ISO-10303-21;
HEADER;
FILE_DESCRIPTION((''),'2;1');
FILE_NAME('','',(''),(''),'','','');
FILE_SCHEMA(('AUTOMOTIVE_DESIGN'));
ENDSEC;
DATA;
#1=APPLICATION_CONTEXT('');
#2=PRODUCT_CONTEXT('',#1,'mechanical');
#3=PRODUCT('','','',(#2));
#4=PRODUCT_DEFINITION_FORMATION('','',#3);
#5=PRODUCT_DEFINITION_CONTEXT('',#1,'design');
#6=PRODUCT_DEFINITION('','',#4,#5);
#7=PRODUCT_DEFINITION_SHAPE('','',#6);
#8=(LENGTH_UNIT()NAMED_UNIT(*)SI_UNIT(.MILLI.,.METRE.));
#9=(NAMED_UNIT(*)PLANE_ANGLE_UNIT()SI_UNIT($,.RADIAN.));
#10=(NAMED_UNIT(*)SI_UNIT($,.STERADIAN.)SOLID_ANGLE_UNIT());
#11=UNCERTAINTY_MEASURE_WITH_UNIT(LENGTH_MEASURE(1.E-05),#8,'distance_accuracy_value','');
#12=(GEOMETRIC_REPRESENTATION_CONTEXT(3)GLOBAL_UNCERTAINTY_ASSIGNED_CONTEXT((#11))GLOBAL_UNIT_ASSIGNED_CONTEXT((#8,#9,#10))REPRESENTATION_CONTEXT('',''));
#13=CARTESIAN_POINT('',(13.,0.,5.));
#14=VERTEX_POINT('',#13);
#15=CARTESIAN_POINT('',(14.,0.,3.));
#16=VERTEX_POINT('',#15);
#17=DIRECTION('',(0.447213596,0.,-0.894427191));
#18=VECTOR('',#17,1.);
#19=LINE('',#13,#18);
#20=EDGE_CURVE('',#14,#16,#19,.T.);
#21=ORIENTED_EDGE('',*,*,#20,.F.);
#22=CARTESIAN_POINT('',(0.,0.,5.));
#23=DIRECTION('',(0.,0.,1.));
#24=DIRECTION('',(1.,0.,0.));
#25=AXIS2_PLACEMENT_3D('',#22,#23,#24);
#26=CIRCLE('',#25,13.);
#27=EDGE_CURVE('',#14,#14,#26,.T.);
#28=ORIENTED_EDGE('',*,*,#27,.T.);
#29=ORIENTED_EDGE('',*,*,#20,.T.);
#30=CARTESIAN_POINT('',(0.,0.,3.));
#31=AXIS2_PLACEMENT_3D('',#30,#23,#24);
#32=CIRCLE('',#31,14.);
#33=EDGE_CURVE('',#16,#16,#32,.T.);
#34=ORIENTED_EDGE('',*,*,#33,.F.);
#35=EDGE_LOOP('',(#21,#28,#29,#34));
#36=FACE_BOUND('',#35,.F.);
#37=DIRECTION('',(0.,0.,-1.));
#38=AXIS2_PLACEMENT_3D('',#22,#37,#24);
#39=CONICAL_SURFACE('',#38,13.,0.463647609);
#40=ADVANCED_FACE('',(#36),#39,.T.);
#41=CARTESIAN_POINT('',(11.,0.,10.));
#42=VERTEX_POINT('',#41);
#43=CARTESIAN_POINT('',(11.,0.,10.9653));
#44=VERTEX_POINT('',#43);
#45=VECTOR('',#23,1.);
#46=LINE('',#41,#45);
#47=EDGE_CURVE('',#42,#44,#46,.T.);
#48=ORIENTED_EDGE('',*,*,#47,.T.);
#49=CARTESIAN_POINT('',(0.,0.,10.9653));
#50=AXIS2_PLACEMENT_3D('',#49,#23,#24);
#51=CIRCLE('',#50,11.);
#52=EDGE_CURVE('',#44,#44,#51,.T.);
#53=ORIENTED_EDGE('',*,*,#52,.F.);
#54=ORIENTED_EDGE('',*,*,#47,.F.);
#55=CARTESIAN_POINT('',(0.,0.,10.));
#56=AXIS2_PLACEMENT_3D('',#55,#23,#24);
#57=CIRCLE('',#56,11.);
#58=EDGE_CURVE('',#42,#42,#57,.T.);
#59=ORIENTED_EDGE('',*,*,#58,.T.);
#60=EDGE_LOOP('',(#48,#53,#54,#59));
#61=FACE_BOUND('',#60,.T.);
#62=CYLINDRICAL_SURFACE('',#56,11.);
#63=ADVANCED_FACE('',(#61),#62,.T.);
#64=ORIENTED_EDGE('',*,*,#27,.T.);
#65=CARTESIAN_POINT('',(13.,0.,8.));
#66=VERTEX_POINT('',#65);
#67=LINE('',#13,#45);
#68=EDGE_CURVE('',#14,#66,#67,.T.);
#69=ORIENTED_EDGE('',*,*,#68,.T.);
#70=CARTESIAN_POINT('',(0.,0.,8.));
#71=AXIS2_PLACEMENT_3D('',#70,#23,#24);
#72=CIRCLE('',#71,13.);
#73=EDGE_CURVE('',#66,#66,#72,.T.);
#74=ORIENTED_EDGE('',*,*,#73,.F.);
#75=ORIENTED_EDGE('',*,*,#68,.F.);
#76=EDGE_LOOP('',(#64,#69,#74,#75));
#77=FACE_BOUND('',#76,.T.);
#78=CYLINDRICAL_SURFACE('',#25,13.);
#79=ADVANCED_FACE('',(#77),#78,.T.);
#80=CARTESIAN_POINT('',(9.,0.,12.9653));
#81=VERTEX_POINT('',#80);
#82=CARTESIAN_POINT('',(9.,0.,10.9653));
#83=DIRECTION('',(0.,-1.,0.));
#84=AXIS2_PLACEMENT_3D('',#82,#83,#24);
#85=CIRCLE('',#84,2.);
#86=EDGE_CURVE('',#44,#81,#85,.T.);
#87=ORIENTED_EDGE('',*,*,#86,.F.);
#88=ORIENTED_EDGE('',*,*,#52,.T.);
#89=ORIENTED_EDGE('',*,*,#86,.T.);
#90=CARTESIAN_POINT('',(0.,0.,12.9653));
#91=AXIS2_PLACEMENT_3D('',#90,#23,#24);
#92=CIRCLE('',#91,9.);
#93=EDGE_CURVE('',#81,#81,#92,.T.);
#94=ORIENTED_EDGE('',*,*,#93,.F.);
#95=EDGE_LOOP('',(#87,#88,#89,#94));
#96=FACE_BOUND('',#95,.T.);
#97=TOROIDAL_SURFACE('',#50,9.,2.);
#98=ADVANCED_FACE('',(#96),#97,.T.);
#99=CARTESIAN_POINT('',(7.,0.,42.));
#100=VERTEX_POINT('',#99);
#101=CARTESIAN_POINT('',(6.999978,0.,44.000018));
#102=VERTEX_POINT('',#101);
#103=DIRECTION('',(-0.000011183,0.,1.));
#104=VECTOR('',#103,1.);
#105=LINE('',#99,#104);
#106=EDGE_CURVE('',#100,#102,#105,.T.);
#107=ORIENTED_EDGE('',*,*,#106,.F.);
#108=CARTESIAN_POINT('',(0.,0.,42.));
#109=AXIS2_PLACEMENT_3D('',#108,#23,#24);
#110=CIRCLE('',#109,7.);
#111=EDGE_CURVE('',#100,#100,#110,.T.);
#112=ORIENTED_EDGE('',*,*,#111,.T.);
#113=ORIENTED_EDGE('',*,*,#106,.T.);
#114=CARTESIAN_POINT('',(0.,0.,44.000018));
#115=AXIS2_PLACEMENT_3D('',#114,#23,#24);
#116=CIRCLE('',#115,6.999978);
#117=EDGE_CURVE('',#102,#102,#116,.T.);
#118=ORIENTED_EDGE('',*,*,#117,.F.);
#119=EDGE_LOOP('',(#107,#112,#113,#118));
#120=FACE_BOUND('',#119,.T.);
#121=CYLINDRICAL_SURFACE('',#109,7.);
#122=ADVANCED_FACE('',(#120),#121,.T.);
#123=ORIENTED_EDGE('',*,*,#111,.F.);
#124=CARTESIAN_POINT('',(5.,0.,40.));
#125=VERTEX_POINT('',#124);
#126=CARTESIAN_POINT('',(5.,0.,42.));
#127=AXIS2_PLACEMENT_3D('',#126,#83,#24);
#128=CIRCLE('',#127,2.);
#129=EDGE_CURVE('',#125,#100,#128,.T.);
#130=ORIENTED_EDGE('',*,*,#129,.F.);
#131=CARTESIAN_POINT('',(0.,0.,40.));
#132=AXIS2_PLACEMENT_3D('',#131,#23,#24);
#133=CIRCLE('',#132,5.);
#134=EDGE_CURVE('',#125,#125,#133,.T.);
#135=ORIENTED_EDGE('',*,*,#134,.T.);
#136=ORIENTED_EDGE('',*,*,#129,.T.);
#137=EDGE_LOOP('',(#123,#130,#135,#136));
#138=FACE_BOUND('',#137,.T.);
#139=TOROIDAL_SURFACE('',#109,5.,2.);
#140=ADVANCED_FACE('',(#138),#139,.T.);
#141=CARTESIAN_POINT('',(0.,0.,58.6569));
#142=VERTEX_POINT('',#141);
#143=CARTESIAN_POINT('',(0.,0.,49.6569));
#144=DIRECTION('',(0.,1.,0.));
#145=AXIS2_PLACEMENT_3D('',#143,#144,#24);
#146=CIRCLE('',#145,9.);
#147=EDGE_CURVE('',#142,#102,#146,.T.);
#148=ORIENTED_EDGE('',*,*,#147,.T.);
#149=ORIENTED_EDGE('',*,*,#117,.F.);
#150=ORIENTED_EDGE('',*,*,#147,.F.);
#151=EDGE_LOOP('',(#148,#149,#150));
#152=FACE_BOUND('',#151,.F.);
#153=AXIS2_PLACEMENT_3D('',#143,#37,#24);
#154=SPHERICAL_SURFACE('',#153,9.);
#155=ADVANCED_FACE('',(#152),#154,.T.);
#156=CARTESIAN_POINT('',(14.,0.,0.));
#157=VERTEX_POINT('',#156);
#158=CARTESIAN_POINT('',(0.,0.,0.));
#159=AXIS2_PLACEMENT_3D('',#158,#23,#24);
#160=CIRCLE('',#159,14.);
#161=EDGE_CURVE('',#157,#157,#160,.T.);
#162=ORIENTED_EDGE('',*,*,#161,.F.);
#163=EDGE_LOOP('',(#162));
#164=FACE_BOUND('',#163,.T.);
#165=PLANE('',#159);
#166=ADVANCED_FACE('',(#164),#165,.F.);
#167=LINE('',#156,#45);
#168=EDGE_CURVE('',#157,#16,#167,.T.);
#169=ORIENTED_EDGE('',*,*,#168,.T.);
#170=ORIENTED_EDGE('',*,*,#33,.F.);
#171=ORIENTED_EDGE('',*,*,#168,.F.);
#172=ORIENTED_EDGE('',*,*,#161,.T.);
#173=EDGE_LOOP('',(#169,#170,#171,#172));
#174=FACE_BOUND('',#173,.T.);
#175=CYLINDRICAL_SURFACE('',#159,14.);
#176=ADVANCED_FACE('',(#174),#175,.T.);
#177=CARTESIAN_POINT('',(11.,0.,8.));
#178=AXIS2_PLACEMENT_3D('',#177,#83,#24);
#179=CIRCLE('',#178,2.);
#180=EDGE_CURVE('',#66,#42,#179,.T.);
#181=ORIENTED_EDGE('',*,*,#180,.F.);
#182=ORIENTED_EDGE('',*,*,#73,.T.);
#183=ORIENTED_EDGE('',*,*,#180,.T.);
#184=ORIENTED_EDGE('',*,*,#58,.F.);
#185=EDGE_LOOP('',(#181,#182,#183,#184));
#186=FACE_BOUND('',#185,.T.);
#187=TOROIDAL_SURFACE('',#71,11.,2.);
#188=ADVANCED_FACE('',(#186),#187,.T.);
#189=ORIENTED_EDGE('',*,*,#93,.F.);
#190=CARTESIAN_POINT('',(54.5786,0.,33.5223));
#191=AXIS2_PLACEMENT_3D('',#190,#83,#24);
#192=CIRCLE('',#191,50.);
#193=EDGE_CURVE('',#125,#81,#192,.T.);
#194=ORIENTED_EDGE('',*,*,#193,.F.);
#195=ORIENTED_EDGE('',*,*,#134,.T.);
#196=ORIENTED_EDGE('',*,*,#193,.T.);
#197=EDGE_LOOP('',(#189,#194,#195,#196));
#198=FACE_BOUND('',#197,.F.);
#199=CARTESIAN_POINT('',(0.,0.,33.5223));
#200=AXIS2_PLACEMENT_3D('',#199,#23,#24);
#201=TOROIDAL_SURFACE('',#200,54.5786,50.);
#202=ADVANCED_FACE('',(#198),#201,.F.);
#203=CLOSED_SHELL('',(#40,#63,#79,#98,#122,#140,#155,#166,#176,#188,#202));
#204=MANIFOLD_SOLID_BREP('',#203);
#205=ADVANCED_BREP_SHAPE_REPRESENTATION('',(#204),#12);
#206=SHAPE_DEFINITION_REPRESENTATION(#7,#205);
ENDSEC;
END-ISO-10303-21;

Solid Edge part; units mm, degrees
sketch "Sketch1" plane through (0, 0, 0) normal (0, -1, 0) x (1, 0, 0)
  arc A0 (11, 10.9653) -> (9, 12.9653) centre (9, 10.9653) ccw
  line L0 (11, 10) -> (11, 10.9653)
  arc A1 (13, 8) -> (11, 10) centre (11, 8) ccw
  line L1 (13, 5) -> (13, 8)
  line L2 (13, 5) -> (14, 3)
  line L3 (14, 0) -> (14, 3)
  line L4 (0, 0) -> (14, 0)
  line L5 (0, 0) -> (0, 59)
  line L6 (7, 42) -> (7, 44)
  arc A2 (5, 40) -> (7, 42) centre (5, 42) ccw
  arc A3 (5, 40) -> (9, 12.9653) centre (54.5786, 33.5223) ccw
  arc A4 (0, 58.6569) -> (7, 44) centre (0, 49.6569) cw
revolve "RevolvedProtrusion1" add sketch "Sketch1" angle 360 about axis through (0, 0, 0) along (0, 0, 1)
